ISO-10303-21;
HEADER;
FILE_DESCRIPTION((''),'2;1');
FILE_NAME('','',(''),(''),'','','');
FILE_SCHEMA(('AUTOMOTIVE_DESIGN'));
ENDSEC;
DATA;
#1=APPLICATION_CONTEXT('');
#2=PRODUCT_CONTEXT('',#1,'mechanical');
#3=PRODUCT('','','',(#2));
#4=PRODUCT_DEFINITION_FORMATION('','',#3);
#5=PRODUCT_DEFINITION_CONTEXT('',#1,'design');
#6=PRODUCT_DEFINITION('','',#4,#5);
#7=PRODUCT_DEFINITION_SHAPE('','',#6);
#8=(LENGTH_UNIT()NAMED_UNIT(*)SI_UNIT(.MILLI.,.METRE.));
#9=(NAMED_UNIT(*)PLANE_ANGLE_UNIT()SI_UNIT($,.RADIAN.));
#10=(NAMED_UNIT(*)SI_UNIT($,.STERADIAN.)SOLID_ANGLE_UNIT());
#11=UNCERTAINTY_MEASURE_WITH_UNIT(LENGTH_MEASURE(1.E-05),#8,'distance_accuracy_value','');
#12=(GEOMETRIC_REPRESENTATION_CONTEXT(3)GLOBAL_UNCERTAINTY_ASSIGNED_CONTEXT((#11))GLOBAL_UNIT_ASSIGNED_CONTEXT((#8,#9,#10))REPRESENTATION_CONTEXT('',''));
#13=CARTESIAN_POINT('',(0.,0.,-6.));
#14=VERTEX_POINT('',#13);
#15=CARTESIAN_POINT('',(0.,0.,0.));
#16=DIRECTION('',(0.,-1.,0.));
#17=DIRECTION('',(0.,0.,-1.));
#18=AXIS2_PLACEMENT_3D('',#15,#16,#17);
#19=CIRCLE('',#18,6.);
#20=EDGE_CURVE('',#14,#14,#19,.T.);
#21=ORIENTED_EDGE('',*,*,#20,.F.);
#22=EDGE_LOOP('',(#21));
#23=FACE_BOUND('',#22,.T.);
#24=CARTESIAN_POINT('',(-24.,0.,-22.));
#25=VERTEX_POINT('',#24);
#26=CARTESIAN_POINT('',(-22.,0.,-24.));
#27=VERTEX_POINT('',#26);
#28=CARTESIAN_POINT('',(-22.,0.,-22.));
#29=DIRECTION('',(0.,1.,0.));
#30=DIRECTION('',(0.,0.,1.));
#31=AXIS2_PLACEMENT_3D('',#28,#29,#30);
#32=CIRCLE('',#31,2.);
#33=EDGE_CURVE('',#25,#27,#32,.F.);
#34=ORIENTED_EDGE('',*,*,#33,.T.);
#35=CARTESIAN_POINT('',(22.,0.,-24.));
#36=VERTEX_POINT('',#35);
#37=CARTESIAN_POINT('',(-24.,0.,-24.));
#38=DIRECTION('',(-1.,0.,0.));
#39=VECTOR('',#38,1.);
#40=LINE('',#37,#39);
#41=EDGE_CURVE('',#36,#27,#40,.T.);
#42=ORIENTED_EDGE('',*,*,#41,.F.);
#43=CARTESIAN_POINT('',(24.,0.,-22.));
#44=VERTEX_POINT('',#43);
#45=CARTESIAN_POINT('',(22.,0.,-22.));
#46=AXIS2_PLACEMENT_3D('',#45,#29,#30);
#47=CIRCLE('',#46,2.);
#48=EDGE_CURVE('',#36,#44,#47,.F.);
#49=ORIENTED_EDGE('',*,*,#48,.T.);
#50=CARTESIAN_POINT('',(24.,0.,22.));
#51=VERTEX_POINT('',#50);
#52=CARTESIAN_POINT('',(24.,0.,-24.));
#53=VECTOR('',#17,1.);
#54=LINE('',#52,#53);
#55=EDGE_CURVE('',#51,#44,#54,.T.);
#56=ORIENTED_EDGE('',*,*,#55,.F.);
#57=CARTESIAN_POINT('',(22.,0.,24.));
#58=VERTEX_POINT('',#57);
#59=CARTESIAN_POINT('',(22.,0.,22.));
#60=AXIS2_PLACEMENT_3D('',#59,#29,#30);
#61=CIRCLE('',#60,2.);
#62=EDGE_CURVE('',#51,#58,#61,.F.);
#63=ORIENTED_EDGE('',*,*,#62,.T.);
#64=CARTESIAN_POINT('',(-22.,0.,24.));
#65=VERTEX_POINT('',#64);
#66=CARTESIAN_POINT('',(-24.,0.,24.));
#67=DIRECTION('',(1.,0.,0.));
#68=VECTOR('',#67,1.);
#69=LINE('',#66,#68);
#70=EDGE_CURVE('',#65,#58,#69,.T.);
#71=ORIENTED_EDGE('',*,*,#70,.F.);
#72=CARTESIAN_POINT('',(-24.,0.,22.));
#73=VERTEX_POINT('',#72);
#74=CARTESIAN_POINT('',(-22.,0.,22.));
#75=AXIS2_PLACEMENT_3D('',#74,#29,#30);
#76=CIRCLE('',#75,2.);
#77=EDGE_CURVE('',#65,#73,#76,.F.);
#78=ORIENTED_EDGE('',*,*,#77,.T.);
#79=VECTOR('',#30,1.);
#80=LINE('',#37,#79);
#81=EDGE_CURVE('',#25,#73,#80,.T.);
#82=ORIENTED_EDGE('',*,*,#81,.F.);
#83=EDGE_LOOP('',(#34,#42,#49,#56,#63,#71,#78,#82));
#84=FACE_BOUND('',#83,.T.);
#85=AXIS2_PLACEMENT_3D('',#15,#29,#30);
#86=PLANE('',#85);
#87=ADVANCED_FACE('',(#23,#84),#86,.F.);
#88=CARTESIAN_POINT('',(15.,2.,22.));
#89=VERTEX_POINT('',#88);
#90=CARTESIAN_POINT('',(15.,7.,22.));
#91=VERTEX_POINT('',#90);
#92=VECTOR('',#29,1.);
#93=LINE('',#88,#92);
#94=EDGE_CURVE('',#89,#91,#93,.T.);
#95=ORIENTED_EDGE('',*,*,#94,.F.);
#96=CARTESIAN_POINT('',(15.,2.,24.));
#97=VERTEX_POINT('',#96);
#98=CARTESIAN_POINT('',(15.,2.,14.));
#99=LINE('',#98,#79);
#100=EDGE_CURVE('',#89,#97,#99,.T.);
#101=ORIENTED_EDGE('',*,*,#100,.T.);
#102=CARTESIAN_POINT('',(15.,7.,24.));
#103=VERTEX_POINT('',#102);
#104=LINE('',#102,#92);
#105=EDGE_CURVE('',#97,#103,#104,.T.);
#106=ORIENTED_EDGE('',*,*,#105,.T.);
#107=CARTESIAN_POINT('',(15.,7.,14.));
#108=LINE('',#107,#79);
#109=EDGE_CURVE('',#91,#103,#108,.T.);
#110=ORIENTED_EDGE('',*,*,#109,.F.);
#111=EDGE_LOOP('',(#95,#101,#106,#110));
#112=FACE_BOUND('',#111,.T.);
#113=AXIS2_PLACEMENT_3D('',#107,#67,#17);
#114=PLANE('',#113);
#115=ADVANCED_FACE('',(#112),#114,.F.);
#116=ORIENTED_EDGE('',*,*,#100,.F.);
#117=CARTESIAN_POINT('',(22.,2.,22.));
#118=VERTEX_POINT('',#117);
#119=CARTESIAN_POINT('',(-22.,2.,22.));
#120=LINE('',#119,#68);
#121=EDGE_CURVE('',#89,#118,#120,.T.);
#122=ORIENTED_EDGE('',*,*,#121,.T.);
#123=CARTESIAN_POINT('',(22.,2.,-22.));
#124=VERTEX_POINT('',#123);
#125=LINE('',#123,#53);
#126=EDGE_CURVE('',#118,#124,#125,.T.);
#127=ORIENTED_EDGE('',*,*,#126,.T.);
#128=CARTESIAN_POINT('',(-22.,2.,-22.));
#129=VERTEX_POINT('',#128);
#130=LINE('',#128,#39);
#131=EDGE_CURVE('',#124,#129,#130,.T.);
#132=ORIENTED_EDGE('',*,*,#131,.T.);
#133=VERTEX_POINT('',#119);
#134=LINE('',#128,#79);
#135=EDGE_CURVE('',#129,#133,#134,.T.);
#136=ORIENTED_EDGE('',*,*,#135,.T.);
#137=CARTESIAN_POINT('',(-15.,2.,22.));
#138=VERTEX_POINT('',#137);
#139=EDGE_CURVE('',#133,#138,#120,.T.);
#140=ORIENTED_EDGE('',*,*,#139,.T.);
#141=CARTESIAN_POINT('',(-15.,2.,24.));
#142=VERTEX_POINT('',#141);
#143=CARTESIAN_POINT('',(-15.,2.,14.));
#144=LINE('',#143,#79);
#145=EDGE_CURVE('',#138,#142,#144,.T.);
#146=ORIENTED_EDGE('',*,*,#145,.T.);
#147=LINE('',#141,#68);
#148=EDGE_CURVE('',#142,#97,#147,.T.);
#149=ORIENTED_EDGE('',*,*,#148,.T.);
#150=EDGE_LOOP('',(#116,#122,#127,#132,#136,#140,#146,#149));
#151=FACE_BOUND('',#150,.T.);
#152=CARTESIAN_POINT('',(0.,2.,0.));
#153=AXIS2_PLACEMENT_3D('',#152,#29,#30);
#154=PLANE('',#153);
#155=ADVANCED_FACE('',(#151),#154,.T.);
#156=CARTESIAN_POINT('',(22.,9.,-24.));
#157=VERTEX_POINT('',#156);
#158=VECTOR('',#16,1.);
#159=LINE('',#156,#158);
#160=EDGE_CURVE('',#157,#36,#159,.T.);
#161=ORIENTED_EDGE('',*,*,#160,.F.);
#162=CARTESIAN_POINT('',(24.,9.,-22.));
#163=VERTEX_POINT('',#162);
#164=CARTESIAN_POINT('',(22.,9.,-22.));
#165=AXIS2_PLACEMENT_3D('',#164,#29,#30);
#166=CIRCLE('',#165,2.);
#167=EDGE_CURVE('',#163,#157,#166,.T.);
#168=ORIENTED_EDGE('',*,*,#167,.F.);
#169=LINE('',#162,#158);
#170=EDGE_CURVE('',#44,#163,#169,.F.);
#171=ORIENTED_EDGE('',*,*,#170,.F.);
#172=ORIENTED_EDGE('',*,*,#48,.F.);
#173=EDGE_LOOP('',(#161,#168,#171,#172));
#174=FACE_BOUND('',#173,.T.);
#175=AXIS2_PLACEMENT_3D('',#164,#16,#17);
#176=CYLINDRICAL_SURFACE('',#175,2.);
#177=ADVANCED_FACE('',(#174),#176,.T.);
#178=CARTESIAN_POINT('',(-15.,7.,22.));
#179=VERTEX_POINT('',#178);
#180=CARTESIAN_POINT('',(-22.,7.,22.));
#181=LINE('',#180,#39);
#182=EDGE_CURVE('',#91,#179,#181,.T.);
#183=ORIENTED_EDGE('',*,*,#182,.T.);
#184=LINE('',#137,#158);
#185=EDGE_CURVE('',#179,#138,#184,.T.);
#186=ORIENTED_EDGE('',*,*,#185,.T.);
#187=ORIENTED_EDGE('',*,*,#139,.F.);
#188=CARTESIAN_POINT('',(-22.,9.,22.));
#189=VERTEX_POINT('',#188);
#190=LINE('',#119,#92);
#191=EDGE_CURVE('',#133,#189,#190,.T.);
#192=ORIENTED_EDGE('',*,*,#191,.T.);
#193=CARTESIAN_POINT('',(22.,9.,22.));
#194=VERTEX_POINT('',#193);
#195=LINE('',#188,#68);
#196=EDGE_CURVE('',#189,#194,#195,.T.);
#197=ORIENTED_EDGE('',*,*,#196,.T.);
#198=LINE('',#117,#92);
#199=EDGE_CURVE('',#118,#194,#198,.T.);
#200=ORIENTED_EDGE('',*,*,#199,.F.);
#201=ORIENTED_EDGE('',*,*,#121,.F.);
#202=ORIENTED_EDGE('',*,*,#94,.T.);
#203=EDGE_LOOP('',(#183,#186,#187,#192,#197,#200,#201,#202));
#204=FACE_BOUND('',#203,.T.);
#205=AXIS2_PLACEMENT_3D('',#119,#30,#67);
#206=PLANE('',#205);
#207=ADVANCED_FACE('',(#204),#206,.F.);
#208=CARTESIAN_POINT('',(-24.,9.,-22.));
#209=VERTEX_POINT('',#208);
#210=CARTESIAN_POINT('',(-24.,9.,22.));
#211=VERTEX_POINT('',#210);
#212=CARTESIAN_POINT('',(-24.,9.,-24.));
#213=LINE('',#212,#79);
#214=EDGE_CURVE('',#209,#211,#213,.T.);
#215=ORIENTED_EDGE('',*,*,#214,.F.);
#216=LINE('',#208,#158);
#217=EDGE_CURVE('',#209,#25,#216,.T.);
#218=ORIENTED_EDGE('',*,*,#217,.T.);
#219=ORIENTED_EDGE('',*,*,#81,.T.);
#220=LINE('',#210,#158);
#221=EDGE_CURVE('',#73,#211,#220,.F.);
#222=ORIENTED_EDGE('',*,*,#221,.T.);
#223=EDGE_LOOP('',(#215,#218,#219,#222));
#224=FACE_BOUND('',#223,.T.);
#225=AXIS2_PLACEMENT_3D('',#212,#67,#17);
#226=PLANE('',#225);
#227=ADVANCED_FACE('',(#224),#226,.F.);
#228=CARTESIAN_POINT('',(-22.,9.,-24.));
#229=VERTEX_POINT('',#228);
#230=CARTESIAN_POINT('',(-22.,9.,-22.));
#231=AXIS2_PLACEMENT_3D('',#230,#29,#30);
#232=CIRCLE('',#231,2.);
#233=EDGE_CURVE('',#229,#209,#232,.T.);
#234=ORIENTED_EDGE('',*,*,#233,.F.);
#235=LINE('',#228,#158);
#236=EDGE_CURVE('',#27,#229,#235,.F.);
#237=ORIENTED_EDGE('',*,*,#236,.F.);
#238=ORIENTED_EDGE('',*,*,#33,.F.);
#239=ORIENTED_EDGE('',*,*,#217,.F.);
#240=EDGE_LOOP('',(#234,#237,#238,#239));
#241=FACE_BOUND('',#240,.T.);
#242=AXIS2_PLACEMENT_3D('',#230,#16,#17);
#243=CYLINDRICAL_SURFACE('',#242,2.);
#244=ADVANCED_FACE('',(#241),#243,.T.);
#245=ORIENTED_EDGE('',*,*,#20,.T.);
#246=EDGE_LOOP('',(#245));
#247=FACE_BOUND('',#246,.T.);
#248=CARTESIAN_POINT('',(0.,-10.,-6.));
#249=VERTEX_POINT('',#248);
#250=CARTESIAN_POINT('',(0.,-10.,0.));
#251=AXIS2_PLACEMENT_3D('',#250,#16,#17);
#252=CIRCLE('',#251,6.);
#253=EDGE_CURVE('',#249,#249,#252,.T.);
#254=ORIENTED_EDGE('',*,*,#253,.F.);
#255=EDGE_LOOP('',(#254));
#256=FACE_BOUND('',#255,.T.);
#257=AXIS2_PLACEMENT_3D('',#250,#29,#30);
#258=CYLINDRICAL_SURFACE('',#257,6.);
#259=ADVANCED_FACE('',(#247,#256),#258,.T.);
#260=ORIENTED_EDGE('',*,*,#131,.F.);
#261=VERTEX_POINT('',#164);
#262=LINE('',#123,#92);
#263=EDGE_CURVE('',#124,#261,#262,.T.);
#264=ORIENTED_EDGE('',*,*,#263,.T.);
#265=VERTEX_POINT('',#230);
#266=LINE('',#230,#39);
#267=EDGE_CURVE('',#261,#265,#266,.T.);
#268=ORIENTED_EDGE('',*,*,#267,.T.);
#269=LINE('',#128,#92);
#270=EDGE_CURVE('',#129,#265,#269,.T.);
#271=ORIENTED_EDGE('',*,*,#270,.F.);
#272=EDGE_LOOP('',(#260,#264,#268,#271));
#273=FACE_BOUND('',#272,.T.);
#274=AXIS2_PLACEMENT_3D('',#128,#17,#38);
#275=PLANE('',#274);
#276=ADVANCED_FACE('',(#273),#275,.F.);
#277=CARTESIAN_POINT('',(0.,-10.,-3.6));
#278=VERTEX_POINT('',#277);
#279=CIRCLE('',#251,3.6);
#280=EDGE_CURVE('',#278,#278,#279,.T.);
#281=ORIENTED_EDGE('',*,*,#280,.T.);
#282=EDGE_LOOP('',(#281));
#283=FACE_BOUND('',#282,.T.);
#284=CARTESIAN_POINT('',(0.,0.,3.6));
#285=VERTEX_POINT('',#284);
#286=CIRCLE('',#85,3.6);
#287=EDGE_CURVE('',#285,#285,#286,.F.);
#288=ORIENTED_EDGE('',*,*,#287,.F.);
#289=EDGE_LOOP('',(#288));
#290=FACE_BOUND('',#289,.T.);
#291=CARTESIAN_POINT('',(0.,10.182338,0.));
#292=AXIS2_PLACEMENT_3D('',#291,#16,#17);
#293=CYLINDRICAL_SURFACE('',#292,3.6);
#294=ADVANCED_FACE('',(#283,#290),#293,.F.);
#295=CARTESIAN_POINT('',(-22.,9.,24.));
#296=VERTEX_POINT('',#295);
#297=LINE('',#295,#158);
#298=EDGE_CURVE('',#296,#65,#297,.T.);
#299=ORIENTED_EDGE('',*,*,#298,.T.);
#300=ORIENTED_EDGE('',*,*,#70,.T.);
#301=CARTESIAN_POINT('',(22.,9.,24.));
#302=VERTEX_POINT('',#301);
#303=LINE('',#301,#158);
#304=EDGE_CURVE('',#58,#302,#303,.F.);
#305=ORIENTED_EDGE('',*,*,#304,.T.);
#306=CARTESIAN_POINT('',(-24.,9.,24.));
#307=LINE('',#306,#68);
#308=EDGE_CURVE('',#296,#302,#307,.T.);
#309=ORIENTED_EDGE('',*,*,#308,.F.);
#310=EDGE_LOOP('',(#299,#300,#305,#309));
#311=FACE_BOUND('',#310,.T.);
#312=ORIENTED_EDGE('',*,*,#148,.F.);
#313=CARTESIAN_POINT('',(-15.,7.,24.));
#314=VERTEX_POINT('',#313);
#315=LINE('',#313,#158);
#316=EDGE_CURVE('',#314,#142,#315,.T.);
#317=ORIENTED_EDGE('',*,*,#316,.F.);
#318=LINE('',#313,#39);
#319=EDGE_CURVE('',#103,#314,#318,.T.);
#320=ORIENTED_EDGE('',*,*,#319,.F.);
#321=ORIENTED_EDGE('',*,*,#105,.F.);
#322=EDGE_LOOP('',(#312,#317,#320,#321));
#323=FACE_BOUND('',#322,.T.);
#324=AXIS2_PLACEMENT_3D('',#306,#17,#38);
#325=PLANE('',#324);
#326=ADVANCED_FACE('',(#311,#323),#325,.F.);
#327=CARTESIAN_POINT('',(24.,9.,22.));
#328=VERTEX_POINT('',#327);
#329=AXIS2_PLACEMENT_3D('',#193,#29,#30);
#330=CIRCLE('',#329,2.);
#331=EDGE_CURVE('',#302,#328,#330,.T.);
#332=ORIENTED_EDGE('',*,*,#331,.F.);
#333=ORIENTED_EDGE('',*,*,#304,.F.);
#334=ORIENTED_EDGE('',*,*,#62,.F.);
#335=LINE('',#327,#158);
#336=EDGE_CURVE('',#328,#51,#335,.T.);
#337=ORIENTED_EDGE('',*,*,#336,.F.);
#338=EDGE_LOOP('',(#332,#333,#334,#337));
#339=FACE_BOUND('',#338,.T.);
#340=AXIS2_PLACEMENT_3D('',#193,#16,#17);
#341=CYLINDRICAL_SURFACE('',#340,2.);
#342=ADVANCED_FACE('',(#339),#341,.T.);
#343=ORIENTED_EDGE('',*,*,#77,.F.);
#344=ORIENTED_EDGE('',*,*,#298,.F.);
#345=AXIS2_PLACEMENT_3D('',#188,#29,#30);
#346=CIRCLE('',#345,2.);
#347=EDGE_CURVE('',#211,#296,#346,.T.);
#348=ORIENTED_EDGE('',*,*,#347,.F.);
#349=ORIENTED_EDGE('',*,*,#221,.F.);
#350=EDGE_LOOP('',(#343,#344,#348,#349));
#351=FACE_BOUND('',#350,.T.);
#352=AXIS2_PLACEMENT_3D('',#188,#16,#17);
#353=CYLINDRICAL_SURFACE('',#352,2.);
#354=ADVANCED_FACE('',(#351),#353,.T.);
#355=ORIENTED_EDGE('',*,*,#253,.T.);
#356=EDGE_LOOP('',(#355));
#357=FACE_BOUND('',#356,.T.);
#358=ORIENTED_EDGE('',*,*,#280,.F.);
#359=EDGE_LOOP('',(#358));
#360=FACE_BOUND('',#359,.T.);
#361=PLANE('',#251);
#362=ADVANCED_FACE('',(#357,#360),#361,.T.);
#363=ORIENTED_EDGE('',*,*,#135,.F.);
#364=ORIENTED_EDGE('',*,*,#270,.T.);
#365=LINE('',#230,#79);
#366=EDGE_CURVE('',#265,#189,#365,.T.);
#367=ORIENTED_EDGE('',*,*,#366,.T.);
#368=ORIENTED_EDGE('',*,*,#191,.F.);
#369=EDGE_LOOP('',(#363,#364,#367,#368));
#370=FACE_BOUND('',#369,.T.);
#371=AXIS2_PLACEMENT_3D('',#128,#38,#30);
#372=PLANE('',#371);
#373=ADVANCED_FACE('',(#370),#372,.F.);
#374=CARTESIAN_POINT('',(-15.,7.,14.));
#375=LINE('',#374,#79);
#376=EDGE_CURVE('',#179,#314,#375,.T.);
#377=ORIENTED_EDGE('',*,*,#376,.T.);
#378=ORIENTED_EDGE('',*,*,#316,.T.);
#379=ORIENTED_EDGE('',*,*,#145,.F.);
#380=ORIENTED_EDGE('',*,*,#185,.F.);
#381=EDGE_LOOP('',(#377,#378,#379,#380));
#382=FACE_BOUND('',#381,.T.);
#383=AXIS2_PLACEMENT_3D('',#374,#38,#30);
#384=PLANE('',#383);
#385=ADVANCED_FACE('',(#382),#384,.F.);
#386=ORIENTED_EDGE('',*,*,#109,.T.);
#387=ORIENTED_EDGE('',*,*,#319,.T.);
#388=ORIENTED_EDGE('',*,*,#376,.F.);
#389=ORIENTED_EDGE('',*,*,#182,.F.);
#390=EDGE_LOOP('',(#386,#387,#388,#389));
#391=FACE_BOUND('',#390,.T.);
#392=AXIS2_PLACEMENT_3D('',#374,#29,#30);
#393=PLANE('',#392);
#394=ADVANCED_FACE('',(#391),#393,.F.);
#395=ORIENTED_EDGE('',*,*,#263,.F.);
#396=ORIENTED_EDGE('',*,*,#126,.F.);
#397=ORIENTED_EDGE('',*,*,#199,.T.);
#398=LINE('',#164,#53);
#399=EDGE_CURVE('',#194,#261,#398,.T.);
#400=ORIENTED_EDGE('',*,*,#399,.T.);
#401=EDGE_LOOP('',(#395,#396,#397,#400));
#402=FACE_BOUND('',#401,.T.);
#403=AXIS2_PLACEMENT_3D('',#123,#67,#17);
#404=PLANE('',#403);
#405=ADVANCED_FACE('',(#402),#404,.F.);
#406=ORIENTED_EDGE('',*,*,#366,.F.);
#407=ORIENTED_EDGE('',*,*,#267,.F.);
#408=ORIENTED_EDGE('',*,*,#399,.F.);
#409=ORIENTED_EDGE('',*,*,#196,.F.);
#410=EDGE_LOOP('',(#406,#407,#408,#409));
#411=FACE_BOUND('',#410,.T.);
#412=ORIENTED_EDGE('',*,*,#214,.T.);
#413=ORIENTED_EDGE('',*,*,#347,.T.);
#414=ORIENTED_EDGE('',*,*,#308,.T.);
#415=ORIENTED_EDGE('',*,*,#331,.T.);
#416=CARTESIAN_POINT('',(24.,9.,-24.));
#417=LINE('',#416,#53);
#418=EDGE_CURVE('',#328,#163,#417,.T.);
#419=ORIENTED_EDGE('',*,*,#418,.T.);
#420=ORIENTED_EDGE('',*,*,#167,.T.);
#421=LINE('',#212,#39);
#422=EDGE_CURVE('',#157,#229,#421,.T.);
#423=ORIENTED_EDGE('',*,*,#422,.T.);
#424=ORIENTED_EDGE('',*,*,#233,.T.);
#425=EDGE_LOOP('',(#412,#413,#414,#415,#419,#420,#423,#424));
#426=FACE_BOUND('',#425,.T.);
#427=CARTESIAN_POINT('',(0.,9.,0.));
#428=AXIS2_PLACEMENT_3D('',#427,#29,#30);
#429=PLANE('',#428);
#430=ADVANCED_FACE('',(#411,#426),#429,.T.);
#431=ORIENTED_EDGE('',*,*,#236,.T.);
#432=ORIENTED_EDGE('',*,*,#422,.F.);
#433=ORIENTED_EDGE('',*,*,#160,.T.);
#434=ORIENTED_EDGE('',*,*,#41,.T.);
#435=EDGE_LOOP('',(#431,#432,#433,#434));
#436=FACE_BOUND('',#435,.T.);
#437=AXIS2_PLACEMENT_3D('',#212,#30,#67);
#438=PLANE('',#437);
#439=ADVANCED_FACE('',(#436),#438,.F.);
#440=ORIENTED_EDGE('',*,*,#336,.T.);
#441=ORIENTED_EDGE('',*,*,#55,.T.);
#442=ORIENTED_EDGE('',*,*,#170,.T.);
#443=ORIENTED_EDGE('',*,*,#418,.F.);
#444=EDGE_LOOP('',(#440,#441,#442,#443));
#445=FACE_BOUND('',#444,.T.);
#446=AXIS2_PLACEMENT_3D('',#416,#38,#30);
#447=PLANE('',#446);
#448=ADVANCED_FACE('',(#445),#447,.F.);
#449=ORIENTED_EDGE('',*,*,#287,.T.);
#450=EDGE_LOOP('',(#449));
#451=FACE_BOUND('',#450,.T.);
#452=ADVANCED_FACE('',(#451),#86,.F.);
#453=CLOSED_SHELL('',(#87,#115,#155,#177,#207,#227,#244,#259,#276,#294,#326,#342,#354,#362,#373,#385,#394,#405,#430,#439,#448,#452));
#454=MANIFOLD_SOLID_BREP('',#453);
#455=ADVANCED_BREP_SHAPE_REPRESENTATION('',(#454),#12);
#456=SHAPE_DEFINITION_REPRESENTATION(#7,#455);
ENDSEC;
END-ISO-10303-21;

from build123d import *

# Parameters (mm, degrees)
SKETCH1_W           = 48
SKETCH1_H           = 48
BOSS_EXTRUDE1_DEPTH = 9
SKETCH2_W           = 44
SKETCH2_H           = 44
CUT_EXTRUDE1_DEPTH  = 7
SKETCH3_R           = 6
BOSS_EXTRUDE2_DEPTH = 10
SKETCH4_R           = 3.6
CUT_EXTRUDE2_DEPTH  = 10
SKETCH5_W           = 30
SKETCH5_H           = 5
CUT_EXTRUDE3_DEPTH  = 10
FILLET1_R           = 2


with BuildPart() as part:
    # Sketch1 → Boss-Extrude1 (new body)
    with BuildSketch(Plane(origin=(0, 0, 0), x_dir=(1, 0, 0), z_dir=(0, 1, 0))):
        Rectangle(SKETCH1_W, SKETCH1_H)
    extrude(amount=BOSS_EXTRUDE1_DEPTH)

    # Sketch2 → Cut-Extrude1 (cut)
    with BuildSketch(Plane(origin=(0, 9, 0), x_dir=(1, 0, 0), z_dir=(0, 1, 0))):
        Rectangle(SKETCH2_W, SKETCH2_H)
    extrude(amount=-CUT_EXTRUDE1_DEPTH, mode=Mode.SUBTRACT)

    # Sketch3 → Boss-Extrude2 (add)
    with BuildSketch(Plane.XZ):
        with Locations(Location((0, 0, 0), (0, 0, 270))):
            Circle(SKETCH3_R)
    extrude(amount=BOSS_EXTRUDE2_DEPTH)

    # Sketch4 → Cut-Extrude2 (cut)
    with BuildSketch(Plane.XZ.offset(10)):
        with Locations(Location((0, 0, 0), (0, 0, 270))):
            Circle(SKETCH4_R)
    extrude(amount=-CUT_EXTRUDE2_DEPTH, mode=Mode.SUBTRACT)

    # Sketch5 → Cut-Extrude3 (cut)
    with BuildSketch(Plane.XY.offset(24)):
        with Locations((0, 4.5)):
            Rectangle(SKETCH5_W, SKETCH5_H)
    extrude(amount=-CUT_EXTRUDE3_DEPTH, mode=Mode.SUBTRACT)

    # Fillet1
    fillet1_edges = [part.edges().sort_by_distance(p)[0] for p in [
        (24, 4.5, 24),
        (-24, 4.5, 24),
        (-24, 4.5, -24),
        (24, 4.5, -24),
    ]]
    fillet(fillet1_edges, radius=FILLET1_R)


solid = part.part
